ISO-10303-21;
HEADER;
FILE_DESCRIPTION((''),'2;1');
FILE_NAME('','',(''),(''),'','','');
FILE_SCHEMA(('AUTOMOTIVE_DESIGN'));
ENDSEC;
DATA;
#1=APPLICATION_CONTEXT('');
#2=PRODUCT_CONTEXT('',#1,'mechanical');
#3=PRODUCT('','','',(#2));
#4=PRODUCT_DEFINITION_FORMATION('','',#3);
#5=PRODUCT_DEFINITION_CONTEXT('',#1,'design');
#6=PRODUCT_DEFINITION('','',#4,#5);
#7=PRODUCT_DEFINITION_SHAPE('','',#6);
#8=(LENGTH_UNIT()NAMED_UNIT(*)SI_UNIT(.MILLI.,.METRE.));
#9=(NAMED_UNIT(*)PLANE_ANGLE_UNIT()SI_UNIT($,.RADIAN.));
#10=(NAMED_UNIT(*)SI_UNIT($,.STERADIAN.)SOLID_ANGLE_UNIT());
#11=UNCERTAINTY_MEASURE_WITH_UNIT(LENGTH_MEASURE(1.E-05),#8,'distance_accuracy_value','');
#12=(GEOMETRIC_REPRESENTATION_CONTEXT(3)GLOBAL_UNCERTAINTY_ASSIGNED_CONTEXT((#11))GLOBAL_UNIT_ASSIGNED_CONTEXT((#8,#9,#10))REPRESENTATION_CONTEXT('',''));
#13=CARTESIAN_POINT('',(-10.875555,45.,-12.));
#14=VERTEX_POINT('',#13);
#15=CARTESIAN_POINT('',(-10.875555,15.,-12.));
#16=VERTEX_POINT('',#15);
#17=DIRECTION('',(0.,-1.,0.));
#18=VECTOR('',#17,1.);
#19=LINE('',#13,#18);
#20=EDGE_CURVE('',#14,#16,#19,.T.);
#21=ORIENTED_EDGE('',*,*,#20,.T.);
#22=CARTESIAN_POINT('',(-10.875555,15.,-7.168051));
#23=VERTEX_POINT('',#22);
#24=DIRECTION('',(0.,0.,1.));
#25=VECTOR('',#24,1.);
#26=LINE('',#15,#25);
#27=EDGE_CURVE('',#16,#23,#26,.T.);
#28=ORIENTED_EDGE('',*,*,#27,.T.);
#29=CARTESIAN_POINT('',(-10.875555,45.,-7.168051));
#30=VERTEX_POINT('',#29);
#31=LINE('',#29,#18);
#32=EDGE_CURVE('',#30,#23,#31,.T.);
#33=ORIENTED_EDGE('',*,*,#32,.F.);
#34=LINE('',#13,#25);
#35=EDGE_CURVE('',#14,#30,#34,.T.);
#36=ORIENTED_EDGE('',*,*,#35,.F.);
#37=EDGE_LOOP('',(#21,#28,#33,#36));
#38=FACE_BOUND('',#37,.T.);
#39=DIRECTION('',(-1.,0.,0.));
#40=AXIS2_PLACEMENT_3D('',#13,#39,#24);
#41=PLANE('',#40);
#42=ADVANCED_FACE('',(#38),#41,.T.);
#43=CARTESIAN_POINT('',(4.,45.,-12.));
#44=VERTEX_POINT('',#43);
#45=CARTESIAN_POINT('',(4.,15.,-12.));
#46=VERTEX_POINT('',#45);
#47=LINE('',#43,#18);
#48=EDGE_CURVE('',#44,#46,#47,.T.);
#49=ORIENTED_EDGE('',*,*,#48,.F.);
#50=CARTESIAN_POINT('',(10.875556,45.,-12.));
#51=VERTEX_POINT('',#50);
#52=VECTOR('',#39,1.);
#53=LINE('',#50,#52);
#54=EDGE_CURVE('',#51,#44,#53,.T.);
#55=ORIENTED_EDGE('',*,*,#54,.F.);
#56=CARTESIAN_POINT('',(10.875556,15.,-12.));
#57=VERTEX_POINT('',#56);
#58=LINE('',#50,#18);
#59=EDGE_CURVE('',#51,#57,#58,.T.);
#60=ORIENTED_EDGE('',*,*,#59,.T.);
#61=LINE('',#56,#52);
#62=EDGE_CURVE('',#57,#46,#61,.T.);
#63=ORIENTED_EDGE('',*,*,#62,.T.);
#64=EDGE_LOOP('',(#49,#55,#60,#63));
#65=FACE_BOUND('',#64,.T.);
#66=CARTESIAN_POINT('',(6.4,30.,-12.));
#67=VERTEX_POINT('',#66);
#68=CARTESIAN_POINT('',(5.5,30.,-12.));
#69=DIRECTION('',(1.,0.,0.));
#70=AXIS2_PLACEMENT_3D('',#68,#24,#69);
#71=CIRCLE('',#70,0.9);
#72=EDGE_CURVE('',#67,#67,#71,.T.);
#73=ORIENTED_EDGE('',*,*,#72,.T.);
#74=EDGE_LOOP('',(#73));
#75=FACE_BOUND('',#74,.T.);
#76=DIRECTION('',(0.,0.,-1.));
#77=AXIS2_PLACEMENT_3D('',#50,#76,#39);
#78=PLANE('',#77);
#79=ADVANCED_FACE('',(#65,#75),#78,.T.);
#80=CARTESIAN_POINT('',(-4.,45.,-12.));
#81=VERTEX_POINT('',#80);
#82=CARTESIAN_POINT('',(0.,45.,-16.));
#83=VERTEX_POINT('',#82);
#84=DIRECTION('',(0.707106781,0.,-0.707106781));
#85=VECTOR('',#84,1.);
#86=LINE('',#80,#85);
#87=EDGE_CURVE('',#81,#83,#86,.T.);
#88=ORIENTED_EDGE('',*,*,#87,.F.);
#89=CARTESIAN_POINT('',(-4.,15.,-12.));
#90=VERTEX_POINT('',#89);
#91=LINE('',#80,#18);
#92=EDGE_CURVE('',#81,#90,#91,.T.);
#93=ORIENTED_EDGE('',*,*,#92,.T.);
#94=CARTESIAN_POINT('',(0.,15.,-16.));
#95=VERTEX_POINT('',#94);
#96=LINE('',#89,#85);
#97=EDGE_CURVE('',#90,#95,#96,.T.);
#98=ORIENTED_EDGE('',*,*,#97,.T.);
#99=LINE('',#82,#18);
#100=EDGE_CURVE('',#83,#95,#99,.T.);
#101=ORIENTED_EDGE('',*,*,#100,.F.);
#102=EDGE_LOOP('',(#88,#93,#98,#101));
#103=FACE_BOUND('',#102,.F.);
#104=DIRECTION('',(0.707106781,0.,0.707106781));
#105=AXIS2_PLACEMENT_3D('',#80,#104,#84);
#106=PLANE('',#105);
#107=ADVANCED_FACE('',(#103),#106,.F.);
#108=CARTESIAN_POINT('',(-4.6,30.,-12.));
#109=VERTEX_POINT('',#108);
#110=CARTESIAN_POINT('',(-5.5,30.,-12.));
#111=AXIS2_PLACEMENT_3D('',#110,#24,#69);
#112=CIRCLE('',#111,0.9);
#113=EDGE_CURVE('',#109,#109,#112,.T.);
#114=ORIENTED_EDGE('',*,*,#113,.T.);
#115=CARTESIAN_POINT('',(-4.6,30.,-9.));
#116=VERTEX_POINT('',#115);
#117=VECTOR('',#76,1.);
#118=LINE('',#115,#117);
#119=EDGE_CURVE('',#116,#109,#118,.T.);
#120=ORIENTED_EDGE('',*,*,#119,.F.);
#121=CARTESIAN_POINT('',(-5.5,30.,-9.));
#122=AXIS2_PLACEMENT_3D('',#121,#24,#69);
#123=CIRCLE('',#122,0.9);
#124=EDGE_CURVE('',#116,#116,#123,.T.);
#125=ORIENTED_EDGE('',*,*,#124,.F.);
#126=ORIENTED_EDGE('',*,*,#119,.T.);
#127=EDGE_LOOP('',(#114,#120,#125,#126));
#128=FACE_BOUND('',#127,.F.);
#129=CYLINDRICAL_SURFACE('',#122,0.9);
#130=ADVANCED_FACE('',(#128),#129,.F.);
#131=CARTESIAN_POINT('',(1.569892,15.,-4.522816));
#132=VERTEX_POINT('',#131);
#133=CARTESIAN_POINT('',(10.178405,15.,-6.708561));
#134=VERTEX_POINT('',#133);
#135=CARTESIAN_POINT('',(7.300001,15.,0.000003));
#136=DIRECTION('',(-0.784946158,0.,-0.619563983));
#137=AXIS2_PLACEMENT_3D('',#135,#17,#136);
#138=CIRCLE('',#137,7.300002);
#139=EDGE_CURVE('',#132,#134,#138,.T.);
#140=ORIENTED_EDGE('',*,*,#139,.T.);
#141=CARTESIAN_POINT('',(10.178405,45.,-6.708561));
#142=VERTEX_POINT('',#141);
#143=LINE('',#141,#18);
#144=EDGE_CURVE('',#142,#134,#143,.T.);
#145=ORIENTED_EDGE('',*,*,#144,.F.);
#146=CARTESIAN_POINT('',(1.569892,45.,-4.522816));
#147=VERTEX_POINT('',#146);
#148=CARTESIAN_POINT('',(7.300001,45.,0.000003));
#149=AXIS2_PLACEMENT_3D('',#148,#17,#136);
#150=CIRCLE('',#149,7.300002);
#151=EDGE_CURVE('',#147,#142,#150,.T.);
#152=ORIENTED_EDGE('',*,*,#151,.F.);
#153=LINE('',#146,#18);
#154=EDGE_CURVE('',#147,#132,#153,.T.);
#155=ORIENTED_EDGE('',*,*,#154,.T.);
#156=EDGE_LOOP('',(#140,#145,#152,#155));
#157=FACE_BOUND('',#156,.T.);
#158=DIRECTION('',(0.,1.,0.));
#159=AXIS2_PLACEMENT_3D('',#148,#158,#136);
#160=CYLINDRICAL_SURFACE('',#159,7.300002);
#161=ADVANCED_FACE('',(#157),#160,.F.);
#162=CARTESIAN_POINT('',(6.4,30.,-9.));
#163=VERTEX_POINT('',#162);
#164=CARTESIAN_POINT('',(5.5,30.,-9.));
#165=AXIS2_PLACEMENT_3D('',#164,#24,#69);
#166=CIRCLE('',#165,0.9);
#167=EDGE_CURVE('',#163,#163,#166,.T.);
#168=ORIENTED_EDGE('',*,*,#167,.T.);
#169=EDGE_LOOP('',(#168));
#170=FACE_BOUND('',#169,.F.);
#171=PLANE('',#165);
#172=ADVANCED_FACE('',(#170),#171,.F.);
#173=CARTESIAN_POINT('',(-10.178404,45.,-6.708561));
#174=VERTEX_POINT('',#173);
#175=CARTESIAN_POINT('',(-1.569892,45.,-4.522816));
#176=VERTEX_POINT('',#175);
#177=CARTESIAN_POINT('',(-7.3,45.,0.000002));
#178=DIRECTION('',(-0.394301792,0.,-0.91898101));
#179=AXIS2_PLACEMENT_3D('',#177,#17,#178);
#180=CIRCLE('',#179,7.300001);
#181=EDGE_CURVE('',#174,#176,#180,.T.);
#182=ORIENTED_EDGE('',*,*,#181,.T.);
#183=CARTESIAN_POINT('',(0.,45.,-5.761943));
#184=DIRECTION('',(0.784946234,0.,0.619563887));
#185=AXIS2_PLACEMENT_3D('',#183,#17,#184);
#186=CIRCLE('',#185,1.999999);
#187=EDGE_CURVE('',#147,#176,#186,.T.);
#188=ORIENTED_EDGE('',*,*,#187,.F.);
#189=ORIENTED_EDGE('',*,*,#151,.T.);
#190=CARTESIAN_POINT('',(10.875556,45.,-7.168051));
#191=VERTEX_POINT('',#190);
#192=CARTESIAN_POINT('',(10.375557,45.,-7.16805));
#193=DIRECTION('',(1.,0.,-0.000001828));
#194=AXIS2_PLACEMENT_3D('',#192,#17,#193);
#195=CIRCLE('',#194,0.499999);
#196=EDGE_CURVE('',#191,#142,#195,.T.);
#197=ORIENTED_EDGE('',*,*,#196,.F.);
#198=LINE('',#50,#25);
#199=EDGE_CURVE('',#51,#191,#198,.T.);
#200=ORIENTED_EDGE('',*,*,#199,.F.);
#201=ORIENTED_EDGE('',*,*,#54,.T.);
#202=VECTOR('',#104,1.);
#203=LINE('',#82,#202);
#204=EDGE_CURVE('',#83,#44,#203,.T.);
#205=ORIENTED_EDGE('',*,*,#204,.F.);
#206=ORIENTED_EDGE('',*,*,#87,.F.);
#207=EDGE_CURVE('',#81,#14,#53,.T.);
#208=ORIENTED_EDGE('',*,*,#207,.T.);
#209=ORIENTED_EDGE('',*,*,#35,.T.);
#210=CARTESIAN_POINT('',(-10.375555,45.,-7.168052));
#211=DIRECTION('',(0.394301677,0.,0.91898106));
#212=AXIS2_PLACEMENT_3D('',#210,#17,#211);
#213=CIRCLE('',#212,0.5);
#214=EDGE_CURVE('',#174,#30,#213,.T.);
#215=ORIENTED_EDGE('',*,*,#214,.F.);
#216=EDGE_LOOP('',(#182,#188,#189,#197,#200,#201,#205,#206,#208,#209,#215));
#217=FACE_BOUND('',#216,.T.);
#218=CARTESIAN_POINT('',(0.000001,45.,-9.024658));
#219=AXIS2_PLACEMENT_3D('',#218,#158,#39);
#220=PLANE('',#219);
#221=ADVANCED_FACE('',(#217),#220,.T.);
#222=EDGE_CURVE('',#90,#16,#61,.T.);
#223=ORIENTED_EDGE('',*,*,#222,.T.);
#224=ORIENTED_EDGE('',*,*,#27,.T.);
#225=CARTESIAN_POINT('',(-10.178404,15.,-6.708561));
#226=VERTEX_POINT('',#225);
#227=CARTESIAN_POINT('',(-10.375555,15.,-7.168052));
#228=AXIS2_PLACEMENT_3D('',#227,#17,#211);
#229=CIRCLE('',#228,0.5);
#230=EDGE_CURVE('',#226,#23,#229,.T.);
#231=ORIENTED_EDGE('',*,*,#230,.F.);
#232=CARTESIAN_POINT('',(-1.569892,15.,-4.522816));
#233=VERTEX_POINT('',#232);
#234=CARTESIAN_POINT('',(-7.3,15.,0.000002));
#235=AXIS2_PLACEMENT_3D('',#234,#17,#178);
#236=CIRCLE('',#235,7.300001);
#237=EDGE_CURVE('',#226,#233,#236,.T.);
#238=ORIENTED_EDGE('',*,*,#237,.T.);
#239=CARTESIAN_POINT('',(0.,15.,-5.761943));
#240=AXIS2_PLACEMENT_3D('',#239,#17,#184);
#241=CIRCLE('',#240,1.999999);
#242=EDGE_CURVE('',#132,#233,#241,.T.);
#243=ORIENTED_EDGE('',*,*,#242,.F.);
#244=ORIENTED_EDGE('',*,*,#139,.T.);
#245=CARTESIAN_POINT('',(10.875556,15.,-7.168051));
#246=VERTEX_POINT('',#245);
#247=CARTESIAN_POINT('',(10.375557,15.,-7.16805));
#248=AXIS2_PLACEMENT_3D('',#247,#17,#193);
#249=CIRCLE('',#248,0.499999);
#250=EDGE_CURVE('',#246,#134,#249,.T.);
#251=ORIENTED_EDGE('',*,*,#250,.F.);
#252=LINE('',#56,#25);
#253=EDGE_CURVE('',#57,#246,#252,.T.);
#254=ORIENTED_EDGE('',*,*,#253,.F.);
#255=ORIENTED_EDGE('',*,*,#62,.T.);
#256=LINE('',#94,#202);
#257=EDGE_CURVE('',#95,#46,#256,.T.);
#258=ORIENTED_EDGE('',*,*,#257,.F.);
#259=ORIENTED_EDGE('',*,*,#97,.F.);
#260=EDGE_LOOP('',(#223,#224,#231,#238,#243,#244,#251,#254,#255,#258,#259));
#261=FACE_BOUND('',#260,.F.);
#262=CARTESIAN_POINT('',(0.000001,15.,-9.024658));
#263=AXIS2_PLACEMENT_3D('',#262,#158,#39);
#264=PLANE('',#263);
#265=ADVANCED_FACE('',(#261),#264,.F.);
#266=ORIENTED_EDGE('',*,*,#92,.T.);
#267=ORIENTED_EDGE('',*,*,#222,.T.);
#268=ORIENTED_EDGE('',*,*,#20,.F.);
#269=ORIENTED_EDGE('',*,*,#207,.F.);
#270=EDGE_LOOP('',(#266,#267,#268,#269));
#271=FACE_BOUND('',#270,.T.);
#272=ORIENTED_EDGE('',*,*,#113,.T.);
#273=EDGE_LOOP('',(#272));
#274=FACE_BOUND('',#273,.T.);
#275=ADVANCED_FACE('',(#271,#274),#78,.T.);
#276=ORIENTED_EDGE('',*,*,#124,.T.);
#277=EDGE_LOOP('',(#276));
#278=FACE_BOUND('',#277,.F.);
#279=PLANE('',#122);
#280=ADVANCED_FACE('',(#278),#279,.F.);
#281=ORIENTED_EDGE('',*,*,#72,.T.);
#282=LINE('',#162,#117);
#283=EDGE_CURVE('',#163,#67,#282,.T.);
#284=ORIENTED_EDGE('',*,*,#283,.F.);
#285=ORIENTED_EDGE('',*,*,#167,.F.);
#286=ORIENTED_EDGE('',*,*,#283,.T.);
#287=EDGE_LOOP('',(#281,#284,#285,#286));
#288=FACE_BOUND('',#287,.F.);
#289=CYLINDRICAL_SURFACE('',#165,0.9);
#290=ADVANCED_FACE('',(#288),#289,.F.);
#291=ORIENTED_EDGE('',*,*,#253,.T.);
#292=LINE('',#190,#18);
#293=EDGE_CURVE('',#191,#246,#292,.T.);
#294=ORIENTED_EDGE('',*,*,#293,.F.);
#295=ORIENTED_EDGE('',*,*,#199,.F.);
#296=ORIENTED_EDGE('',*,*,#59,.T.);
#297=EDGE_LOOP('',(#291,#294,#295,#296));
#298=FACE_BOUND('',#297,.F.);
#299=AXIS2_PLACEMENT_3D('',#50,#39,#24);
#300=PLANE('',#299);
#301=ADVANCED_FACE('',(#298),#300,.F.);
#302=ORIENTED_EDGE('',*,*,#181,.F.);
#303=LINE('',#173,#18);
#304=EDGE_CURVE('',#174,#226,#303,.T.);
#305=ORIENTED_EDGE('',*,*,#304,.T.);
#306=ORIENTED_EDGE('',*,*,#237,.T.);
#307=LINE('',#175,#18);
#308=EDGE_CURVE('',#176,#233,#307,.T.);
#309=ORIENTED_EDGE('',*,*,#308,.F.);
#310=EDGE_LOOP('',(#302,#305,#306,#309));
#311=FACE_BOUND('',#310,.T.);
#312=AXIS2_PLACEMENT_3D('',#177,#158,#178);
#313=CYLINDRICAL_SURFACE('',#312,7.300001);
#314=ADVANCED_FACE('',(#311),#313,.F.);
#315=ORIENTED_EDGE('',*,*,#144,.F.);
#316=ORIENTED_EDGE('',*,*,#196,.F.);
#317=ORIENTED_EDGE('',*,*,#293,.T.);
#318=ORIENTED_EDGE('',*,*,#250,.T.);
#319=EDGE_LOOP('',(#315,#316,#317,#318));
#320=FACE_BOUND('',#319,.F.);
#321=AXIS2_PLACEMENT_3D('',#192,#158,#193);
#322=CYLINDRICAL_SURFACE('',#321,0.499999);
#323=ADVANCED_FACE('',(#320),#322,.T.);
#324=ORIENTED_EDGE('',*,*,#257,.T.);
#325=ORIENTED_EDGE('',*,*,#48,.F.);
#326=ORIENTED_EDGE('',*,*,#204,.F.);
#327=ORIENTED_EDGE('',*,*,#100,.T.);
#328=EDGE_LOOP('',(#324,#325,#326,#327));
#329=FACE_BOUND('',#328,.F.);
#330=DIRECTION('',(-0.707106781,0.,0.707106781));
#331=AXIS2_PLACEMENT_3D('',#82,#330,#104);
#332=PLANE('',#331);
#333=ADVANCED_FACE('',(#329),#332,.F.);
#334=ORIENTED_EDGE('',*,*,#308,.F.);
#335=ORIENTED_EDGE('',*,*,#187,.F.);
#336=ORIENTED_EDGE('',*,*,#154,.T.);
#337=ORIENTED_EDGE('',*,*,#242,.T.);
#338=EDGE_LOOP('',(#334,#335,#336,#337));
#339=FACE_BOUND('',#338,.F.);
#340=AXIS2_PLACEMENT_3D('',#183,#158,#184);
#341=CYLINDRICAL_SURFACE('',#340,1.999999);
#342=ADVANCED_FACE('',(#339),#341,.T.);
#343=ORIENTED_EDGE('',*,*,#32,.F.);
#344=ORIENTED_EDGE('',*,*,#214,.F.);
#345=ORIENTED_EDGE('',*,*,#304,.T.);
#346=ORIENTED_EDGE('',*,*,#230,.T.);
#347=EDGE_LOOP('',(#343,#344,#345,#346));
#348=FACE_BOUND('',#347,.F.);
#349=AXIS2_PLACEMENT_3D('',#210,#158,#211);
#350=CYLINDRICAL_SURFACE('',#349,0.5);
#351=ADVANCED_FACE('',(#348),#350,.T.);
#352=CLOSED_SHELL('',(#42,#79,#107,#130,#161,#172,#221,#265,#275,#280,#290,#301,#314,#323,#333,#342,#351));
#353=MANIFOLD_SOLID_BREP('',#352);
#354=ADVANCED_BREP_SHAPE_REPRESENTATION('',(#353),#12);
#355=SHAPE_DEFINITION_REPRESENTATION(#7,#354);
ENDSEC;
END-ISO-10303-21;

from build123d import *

# Parameters (mm, degrees)
PAD005_DEPTH    = 30
PAD006_DEPTH    = 30
SKETCH043_R     = 0.9
POCKET016_DEPTH = 5


with BuildPart() as part:
    # Sketch037 → Pad005 (new body)
    with BuildSketch(Plane.XZ.offset(-45)):
        with BuildLine():
            ThreePointArc((-10.178404, -6.708561), (-5.503497, -7.075491), (-1.569892, -4.522816))
            ThreePointArc((1.569892, -4.522816), (0, -3.761944), (-1.569892, -4.522816))
            ThreePointArc((1.569892, -4.522816), (5.503497, -7.075491), (10.178405, -6.708561))
            ThreePointArc((10.875556, -7.168051), (10.650715, -6.750573), (10.178405, -6.708561))
            Line((10.875556, -12), (10.875556, -7.168051))
            Line((10.875556, -12), (-10.875555, -12))
            Line((-10.875555, -12), (-10.875555, -7.168051))
            ThreePointArc((-10.178404, -6.708561), (-10.650714, -6.750574), (-10.875555, -7.168051))
        make_face()
    extrude(amount=PAD005_DEPTH)

    # Sketch042 → Pad006 (join)
    with BuildSketch(Plane.XZ.offset(-45)):
        Polygon((-4, -12), (0, -16), (4, -12), align=None)
    extrude(amount=PAD006_DEPTH)

    # Sketch043 → Pocket016 (cut)
    with BuildSketch(Plane.XY.offset(-9)):
        with Locations((-5.5, 30)):
            Circle(SKETCH043_R)
        with Locations((-5.5, -30)):
            Circle(SKETCH043_R)
        with Locations((5.5, 30)):
            Circle(SKETCH043_R)
        with Locations((5.5, -30)):
            Circle(SKETCH043_R)
    extrude(amount=-POCKET016_DEPTH, mode=Mode.SUBTRACT)


solid = part.part
